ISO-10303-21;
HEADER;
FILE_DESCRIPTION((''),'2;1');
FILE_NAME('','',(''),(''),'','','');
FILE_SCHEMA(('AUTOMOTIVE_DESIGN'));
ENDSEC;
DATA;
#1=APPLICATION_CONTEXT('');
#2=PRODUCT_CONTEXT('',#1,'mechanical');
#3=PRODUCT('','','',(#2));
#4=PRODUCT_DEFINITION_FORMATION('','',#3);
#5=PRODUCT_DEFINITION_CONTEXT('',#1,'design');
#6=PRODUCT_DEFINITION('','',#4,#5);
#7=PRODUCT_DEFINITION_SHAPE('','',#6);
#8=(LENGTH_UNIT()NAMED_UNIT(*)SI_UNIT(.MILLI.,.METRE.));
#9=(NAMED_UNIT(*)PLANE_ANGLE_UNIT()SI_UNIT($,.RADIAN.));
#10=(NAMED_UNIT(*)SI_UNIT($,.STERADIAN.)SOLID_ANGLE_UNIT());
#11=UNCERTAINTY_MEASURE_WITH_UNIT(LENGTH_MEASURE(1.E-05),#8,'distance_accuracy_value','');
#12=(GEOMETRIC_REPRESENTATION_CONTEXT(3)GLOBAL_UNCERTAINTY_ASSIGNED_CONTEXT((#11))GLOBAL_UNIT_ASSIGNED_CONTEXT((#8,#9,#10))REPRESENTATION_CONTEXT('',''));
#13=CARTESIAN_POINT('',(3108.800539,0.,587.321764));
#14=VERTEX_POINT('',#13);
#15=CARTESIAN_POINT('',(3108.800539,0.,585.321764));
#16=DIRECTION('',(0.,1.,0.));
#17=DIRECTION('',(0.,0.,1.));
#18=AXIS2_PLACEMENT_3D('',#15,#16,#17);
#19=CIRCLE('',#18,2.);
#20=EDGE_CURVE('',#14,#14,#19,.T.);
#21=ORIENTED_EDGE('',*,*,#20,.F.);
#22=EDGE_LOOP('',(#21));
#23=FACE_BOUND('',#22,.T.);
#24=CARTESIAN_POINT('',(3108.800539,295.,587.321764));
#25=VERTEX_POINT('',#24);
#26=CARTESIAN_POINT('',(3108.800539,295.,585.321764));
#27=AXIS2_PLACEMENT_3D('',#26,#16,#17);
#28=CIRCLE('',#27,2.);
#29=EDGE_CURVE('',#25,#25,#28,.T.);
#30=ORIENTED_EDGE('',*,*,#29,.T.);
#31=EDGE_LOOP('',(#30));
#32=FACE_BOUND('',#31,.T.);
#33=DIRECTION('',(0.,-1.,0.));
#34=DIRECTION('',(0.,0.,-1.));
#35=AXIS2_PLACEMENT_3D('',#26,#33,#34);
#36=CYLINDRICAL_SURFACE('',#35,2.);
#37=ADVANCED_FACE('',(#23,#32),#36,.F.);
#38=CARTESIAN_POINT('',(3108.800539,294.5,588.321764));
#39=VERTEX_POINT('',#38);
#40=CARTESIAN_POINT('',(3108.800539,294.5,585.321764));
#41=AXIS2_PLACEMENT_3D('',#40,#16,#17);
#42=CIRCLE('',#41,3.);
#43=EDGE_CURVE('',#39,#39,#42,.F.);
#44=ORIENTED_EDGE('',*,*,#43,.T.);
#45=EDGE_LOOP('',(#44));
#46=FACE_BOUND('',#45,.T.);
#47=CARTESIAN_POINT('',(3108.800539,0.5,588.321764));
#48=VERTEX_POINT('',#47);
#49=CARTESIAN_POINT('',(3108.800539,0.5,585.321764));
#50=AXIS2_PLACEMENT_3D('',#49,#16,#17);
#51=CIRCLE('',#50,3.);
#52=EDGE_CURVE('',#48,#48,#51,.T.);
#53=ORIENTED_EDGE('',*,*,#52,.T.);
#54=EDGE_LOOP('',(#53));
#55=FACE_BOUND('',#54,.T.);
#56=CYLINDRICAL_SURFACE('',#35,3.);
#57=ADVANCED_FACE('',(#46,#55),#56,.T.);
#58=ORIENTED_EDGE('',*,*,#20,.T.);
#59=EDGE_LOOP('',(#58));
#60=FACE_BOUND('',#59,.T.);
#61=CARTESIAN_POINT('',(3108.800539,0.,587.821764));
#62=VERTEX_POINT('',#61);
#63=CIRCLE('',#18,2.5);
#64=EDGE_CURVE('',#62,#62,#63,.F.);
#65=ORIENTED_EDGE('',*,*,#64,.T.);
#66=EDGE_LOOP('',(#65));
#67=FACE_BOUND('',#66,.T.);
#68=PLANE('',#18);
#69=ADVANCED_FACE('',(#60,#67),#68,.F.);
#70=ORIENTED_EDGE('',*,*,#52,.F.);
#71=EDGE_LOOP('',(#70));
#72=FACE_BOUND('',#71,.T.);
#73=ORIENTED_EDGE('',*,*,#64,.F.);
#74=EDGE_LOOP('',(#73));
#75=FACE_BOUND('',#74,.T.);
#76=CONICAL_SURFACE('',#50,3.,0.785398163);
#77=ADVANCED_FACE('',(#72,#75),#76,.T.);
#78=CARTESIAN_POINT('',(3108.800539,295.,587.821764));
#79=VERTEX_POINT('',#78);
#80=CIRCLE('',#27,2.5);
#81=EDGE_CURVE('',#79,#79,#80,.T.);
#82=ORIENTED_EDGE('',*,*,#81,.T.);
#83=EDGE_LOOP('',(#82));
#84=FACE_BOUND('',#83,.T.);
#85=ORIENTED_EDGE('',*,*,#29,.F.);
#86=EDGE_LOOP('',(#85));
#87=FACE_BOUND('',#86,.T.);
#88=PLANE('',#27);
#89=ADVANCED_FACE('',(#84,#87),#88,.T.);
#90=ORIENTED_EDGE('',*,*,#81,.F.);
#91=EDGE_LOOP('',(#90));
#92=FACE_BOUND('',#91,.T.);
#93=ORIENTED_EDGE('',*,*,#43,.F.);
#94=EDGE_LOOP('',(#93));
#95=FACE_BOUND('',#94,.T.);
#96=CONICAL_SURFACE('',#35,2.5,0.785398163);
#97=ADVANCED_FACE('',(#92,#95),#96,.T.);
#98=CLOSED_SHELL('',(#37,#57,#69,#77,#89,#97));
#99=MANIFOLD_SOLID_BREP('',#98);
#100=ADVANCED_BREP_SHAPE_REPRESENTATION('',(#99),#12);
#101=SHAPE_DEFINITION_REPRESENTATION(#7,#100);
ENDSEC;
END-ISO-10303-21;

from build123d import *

# Parameters (mm, degrees)
ESQUISSE2_R        = 3
ESQUISSE2_R_2      = 2
BOSS_EXTRU_1_DEPTH = 295
CHANFREIN1_SIZE    = 0.5


with BuildPart() as part:
    # Esquisse2 → Boss.-Extru.1 (new body)
    with BuildSketch(Plane(origin=(0, 0, 0), x_dir=(1, 0, 0), z_dir=(0, 1, 0))):
        with Locations((3108.80053874, -585.321764207)):
            Circle(ESQUISSE2_R)
        with Locations((3108.80053874, -585.321764207)):
            Circle(ESQUISSE2_R_2, mode=Mode.SUBTRACT)
    extrude(amount=BOSS_EXTRU_1_DEPTH)

    # Chanfrein1
    chanfrein1_edges = [part.edges().sort_by_distance(p)[0] for p in [
        (3105.80053874, 0, 585.321764207),
        (3105.80053874, 295, 585.321764207),
    ]]
    chamfer(chanfrein1_edges, length=CHANFREIN1_SIZE)


solid = part.part
